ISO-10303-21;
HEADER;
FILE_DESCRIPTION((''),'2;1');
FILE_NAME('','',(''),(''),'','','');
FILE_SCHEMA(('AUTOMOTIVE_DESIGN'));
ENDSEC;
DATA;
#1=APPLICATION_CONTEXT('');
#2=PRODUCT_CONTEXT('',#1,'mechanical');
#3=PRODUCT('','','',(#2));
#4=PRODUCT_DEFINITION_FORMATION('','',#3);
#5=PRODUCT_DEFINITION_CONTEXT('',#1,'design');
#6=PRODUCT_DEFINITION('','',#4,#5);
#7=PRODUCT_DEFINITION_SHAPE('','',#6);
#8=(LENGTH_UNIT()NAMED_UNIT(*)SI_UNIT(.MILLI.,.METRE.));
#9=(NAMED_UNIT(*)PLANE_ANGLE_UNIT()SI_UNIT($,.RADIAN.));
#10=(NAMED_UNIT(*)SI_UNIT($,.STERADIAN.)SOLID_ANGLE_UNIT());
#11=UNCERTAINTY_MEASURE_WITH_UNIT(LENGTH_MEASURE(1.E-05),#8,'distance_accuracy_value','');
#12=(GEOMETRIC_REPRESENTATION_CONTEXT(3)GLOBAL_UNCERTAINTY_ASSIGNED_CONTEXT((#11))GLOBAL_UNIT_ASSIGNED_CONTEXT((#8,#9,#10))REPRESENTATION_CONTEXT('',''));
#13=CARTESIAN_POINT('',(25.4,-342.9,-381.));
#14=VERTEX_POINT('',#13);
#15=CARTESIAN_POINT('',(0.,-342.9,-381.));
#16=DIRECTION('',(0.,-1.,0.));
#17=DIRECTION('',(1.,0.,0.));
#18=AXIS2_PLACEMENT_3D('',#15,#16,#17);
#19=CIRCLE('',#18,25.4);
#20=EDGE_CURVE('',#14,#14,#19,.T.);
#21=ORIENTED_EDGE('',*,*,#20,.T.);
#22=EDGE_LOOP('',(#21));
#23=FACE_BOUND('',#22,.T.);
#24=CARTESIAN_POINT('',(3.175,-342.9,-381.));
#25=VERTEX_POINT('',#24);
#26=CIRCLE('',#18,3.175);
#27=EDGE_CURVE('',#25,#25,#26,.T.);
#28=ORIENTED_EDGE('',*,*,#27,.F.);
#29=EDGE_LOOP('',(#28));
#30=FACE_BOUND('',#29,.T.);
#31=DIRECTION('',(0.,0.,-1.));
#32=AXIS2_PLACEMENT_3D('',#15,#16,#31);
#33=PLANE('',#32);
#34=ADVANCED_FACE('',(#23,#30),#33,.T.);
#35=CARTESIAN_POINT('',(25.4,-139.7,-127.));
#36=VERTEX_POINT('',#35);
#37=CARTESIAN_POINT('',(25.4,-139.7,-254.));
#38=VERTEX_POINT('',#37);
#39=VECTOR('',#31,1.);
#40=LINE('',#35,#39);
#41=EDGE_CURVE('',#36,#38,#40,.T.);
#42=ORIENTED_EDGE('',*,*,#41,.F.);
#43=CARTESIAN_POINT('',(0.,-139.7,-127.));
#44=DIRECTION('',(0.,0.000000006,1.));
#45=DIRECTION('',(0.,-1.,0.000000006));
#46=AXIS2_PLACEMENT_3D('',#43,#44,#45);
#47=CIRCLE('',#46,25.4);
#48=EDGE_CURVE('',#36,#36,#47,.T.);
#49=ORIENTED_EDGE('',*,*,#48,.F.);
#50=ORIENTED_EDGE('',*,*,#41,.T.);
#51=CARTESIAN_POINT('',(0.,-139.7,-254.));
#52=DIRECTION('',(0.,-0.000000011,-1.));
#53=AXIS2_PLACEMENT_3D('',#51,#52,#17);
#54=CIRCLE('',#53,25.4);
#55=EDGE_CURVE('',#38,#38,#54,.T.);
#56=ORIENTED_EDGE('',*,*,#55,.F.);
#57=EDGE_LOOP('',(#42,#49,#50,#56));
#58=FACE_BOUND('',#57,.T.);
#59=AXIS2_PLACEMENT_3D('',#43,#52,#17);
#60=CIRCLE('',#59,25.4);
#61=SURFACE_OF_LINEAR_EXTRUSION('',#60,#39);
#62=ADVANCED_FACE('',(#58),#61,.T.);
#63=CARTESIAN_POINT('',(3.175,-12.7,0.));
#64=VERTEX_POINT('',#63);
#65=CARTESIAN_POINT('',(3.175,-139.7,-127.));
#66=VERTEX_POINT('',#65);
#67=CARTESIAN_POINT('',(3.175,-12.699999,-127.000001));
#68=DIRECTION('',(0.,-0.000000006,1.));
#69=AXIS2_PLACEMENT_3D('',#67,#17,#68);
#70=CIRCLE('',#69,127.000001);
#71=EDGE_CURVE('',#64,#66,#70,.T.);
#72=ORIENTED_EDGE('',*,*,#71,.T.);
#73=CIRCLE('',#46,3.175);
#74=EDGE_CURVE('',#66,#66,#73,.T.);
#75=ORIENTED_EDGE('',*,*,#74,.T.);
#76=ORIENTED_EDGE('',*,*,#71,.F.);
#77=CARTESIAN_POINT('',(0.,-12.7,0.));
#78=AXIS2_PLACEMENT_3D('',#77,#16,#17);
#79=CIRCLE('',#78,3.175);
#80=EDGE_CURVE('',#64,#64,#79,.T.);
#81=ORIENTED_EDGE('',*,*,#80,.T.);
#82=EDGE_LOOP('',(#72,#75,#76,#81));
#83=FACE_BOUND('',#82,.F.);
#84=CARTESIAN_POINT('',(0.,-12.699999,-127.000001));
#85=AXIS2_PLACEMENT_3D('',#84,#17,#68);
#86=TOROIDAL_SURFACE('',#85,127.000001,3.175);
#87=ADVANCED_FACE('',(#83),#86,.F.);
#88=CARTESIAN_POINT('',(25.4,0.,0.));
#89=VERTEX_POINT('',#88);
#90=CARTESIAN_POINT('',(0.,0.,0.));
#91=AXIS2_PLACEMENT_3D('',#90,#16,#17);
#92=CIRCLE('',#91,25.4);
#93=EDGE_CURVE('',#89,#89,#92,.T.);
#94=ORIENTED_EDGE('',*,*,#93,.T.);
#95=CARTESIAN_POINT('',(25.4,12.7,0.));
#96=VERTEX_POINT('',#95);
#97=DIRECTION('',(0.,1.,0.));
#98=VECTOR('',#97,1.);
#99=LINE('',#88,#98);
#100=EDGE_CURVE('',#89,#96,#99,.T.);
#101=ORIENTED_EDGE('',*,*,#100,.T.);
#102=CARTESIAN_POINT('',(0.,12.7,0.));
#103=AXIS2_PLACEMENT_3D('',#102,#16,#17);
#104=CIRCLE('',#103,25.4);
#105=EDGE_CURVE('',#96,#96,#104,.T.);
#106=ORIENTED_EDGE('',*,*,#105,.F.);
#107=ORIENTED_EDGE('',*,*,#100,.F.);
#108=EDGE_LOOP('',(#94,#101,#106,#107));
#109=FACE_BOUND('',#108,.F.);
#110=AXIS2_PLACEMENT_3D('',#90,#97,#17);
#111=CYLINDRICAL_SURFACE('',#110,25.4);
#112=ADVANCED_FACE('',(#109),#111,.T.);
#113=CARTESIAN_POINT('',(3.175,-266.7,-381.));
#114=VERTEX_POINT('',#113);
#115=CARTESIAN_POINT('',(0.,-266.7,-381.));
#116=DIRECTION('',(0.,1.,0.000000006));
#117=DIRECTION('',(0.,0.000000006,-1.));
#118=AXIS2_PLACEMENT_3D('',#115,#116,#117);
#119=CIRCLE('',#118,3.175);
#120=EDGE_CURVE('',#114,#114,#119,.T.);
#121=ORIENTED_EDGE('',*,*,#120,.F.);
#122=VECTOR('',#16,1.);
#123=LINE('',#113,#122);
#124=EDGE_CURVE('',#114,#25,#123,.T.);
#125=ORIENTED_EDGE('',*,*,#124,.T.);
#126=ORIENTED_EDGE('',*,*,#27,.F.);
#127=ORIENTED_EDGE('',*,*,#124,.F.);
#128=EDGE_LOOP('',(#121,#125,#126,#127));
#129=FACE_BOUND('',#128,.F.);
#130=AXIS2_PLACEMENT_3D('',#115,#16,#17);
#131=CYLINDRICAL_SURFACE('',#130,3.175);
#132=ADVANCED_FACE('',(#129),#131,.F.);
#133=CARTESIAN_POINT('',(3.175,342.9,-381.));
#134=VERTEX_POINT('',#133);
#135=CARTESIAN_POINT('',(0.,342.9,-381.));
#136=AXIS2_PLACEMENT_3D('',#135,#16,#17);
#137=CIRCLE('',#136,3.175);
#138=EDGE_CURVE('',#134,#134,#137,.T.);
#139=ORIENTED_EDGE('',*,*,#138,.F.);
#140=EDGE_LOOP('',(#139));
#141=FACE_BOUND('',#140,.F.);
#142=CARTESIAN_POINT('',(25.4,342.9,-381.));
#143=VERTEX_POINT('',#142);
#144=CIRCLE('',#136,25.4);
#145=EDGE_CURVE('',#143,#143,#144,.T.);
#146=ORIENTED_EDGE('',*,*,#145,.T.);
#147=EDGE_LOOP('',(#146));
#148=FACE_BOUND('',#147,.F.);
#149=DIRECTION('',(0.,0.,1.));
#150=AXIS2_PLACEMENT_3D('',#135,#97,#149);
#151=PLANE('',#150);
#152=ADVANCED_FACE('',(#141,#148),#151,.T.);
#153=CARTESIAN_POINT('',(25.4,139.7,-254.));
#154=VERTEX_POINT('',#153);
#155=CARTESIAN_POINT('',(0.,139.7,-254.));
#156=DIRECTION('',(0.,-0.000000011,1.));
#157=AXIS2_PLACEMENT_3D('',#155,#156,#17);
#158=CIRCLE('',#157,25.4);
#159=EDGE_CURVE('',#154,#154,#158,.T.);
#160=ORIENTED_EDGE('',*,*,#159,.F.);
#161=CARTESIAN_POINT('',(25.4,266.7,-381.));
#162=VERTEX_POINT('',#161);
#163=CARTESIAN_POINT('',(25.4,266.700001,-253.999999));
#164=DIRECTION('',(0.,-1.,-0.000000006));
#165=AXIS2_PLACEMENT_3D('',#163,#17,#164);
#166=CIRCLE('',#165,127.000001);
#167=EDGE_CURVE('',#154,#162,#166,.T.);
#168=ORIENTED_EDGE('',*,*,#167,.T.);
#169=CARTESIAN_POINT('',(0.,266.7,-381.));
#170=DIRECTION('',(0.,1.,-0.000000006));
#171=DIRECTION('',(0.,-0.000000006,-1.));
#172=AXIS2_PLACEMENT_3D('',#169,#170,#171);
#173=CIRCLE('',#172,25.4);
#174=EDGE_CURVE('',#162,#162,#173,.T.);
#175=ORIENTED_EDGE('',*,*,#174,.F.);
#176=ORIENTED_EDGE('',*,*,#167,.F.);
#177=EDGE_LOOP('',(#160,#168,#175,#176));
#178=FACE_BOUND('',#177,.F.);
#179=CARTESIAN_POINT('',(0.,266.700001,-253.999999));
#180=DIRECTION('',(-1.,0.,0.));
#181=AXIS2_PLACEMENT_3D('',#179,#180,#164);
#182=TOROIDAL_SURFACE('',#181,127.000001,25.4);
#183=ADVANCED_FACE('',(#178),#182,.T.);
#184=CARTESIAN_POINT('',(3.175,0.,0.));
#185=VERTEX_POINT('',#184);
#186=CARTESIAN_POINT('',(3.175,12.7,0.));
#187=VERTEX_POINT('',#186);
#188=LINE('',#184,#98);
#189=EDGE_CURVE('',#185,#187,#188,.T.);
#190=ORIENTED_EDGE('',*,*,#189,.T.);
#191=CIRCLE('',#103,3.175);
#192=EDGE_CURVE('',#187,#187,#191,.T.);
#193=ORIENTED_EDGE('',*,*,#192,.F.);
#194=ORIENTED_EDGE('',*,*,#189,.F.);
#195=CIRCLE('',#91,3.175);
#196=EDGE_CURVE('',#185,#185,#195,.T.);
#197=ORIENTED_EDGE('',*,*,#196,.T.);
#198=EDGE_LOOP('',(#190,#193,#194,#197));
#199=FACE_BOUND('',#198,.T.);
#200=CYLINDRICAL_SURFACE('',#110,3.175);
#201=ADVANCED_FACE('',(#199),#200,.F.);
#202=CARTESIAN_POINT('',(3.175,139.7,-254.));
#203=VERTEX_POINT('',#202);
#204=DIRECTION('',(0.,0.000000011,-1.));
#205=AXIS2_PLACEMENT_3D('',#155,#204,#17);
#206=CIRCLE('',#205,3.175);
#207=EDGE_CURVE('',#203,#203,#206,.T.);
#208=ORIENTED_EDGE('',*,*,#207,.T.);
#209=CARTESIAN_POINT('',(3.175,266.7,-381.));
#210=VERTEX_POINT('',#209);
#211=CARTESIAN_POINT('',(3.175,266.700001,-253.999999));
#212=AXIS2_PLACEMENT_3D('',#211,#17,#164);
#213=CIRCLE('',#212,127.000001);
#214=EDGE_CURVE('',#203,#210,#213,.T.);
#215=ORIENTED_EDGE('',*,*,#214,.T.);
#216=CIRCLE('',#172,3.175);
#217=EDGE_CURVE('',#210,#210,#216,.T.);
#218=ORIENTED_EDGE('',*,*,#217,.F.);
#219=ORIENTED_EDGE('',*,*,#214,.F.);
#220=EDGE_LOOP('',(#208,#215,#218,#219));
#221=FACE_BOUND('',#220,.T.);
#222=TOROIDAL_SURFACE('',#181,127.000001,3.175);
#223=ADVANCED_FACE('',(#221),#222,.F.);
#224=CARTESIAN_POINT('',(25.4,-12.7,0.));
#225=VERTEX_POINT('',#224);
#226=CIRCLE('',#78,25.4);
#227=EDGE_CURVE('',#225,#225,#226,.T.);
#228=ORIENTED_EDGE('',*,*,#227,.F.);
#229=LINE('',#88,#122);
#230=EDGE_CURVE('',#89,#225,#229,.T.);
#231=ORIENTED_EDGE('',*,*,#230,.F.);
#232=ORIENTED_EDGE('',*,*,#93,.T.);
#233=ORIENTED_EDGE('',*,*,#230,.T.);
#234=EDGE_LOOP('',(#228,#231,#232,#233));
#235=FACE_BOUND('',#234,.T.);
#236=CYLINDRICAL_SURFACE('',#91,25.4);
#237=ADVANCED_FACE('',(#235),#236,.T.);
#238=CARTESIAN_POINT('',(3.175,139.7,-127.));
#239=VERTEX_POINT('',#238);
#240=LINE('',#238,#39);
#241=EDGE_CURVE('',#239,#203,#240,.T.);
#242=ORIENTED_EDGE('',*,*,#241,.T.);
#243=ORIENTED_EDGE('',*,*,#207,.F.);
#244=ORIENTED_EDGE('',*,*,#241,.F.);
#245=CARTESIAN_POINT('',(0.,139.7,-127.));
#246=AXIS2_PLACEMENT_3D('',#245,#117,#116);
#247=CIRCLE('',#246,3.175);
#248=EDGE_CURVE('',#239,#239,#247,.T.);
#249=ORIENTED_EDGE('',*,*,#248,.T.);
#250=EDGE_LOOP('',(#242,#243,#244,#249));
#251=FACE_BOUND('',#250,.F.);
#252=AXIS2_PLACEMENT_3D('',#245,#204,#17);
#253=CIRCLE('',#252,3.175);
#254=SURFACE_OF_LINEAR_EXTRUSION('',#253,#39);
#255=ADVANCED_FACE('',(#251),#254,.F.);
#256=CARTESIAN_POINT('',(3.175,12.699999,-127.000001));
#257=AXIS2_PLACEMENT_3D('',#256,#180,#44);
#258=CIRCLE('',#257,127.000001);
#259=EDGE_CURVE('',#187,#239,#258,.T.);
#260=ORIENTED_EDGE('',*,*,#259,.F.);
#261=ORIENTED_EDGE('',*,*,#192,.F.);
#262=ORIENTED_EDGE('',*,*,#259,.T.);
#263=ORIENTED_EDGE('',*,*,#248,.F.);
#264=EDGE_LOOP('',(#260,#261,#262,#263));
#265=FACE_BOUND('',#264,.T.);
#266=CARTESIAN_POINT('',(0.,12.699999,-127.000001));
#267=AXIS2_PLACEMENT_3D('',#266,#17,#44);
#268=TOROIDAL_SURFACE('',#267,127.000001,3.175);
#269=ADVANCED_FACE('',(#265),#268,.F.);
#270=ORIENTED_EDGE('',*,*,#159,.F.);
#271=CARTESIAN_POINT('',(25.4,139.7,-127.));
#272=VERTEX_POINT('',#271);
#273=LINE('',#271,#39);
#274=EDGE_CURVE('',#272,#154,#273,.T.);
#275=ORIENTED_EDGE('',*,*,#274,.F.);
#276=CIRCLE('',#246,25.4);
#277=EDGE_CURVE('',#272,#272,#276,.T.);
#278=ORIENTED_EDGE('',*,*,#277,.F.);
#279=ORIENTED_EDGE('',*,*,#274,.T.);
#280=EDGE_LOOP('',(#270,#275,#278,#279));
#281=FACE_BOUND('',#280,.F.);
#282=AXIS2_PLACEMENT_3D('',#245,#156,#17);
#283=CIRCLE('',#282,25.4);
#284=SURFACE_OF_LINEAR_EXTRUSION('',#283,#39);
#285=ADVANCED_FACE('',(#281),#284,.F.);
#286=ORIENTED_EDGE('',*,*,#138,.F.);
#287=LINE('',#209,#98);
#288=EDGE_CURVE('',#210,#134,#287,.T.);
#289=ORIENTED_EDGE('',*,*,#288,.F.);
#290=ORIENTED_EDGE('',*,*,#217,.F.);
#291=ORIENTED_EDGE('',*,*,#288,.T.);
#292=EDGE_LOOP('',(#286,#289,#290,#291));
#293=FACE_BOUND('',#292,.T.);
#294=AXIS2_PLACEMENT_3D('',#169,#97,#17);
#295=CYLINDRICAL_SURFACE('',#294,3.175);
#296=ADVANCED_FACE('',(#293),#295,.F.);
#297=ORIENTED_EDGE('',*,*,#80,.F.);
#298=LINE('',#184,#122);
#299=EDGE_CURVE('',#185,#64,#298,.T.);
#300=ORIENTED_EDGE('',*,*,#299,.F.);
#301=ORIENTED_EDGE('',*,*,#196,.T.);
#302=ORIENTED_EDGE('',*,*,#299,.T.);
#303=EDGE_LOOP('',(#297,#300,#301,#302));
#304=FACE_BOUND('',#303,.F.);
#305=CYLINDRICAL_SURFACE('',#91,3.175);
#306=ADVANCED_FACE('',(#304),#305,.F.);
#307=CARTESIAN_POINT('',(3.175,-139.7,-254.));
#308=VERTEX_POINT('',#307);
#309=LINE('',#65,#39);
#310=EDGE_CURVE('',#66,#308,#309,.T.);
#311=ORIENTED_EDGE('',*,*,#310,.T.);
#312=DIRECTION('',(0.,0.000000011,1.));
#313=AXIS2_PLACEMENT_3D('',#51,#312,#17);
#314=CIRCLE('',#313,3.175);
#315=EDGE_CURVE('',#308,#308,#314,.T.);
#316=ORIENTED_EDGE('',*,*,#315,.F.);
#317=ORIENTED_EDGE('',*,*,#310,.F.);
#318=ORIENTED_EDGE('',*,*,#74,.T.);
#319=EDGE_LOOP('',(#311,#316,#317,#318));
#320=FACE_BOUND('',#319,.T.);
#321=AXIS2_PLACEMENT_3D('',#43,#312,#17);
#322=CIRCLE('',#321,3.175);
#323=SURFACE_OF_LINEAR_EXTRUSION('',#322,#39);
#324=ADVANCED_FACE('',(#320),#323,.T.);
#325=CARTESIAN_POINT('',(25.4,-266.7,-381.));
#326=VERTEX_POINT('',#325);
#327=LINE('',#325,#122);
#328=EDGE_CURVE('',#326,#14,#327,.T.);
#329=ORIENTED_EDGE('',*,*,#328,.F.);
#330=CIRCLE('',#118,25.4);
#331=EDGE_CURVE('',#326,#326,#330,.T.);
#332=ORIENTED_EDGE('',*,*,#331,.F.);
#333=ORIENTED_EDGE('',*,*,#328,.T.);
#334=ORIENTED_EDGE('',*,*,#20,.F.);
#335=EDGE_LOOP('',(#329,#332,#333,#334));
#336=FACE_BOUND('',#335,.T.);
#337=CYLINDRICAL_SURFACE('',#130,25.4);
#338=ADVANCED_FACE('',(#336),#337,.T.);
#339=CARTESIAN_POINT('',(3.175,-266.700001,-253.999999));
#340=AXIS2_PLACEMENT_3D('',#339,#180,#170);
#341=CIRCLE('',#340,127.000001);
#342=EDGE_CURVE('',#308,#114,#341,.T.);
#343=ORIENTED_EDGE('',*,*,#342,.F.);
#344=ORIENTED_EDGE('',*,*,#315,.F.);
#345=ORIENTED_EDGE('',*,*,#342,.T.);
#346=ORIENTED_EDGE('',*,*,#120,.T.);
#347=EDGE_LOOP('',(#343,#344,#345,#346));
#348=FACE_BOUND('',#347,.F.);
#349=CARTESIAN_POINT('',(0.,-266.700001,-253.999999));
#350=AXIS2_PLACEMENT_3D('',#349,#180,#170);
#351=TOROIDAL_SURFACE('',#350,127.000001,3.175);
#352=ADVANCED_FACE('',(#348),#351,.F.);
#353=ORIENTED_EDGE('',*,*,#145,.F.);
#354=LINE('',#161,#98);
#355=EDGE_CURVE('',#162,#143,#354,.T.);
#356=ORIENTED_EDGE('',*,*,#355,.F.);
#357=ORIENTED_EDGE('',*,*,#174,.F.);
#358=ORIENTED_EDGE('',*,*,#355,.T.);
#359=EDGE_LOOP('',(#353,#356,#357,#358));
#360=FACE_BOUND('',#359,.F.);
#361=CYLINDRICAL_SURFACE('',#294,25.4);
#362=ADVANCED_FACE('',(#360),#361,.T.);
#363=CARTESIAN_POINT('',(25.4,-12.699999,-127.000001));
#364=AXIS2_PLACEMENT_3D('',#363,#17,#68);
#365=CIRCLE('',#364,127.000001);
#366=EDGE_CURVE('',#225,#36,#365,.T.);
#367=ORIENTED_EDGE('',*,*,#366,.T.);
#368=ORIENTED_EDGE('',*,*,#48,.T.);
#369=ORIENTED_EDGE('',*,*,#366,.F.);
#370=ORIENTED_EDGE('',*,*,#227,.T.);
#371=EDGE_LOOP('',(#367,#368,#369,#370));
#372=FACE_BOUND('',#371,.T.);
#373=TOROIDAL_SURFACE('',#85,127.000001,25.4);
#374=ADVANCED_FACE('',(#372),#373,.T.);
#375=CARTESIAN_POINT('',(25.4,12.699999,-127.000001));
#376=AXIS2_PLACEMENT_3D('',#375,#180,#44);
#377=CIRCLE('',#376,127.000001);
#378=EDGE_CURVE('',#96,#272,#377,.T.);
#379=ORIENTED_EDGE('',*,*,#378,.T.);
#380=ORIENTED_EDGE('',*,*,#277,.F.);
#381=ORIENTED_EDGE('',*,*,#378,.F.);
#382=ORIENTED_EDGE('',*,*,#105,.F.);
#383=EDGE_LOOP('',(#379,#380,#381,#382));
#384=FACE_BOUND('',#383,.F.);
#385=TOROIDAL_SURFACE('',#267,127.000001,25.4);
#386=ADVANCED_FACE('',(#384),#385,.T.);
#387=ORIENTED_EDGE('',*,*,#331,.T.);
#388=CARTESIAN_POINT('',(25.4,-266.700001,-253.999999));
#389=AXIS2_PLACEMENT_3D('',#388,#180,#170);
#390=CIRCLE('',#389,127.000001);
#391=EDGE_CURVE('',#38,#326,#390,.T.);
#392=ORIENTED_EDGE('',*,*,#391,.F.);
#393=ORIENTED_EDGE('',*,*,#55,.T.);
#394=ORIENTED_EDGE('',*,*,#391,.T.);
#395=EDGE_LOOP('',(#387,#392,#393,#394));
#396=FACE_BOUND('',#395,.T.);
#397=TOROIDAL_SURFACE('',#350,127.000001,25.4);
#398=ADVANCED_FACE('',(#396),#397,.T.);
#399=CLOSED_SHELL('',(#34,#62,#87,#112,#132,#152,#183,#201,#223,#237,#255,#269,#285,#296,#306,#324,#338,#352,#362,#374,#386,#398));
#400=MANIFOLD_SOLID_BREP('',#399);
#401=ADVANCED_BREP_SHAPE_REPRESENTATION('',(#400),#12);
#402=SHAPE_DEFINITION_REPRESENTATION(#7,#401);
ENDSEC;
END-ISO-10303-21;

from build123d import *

# Parameters (mm, degrees)
F0_R   = 25.4
F0_R_2 = 3.175


with BuildPart() as f2:
    # F2: sweep along a path in F1
    with BuildLine(Plane.YZ) as f2_path:
        Line((0, 0), (-12.7, 0))
        ThreePointArc((-12.7, 0), (-102.502561, -37.197439), (-139.7, -127))
        Line((-139.7, -127), (-139.7, -254))
        ThreePointArc((-139.7, -254), (-176.897439, -343.802561), (-266.7, -381))
        Line((-266.7, -381), (-342.9, -381))
    # F0 (on Front) → F2 (sweep)
    with BuildSketch(Plane.XZ):
        Circle(F0_R)
        Circle(F0_R_2, mode=Mode.SUBTRACT)
    sweep(path=f2_path.line)

    # F3: F2 across face


with BuildPart() as f2_1:
    add(f2.part)
    add(f2.part.mirror(Plane(origin=(0, 0, 0), x_dir=(-1, 0, 0), z_dir=(0, 1, 0))))


solid = f2_1.part
